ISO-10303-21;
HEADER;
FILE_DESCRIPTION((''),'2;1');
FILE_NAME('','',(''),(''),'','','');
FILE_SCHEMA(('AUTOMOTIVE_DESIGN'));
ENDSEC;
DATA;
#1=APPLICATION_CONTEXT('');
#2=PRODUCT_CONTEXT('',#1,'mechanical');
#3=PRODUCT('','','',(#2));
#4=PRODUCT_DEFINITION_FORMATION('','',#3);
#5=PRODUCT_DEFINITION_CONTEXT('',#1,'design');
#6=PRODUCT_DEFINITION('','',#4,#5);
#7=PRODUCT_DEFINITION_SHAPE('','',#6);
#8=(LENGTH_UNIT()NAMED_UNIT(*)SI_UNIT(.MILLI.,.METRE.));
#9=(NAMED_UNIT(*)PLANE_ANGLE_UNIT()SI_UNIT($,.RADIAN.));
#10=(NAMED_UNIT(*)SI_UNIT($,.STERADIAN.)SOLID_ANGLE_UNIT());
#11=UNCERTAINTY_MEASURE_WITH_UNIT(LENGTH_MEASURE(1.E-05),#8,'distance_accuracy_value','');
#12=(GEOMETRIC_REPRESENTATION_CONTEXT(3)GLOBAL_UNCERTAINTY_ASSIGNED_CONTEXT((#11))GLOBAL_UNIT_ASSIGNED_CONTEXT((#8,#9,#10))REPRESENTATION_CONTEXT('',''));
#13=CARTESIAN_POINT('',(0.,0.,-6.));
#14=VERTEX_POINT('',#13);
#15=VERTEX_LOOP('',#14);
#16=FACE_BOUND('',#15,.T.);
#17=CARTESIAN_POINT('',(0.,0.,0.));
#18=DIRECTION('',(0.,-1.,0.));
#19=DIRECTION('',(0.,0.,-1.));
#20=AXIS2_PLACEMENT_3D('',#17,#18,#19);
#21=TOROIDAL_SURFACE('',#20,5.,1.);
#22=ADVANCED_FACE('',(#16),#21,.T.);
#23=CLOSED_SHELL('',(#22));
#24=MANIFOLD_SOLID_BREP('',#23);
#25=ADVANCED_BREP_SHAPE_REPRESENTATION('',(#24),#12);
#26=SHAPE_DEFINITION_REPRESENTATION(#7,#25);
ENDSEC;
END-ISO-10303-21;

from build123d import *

# Parameters (mm, degrees)
SKETCH1_R = 1


with BuildPart() as part:
    # Sketch1 → Revolve1 (revolve)
    with BuildSketch(Plane.XY, mode=Mode.PRIVATE) as revolve1_sk:
        with Locations((5, 0)):
            Circle(SKETCH1_R)
    revolve(revolve1_sk.sketch.rotate(Axis((0, 0, 0), (0, 1, 0)), 90), axis=Axis((0, 0, 0), (0, 1, 0)))


solid = part.part
